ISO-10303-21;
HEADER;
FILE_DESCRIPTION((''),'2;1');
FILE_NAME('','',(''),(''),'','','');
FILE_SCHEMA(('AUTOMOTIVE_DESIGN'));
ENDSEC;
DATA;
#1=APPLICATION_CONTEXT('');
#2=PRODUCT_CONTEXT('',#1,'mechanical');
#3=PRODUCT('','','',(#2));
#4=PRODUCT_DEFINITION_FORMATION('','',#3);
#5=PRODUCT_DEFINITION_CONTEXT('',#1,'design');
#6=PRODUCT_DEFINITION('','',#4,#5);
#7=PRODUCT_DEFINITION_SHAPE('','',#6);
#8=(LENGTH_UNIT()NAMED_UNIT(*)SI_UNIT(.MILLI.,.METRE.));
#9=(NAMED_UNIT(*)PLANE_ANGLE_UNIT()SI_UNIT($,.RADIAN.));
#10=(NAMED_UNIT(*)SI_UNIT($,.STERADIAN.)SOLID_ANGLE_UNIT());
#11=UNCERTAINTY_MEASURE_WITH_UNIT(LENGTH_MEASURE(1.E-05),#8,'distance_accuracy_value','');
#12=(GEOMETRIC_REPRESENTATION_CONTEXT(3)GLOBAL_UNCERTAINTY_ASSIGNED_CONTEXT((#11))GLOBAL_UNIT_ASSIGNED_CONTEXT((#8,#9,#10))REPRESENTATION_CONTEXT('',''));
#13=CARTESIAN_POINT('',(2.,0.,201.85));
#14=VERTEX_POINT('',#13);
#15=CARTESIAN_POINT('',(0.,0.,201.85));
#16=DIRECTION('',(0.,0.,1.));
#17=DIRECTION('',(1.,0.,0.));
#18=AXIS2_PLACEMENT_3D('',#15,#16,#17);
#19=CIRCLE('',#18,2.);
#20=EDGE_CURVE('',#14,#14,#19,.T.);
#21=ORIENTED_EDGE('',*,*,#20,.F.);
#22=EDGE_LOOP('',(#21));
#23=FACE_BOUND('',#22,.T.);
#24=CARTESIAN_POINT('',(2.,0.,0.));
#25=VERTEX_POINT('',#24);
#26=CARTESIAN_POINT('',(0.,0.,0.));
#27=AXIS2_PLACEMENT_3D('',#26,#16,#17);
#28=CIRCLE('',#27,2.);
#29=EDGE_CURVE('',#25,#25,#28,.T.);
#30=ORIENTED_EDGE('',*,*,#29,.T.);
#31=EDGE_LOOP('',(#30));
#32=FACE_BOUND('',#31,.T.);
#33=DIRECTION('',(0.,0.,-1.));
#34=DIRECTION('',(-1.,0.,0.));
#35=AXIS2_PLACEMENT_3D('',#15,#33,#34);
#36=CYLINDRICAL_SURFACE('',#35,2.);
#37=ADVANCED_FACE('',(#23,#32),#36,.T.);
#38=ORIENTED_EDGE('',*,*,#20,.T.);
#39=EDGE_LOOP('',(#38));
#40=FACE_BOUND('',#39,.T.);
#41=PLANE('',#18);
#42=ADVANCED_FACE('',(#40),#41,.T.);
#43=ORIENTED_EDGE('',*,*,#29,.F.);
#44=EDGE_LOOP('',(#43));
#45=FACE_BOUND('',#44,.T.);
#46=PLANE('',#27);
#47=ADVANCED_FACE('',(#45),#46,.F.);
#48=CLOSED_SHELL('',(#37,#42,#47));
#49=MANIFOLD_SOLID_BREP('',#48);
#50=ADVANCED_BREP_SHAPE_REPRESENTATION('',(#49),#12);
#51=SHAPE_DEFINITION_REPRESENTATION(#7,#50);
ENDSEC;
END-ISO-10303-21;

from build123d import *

# Parameters (mm, degrees)
SKETCH1_R           = 2
BOSS_EXTRUDE1_DEPTH = 201.85


with BuildPart() as part:
    # Sketch1 → Boss-Extrude1 (new body)
    with BuildSketch(Plane.XY):
        Circle(SKETCH1_R)
    extrude(amount=BOSS_EXTRUDE1_DEPTH)


solid = part.part
